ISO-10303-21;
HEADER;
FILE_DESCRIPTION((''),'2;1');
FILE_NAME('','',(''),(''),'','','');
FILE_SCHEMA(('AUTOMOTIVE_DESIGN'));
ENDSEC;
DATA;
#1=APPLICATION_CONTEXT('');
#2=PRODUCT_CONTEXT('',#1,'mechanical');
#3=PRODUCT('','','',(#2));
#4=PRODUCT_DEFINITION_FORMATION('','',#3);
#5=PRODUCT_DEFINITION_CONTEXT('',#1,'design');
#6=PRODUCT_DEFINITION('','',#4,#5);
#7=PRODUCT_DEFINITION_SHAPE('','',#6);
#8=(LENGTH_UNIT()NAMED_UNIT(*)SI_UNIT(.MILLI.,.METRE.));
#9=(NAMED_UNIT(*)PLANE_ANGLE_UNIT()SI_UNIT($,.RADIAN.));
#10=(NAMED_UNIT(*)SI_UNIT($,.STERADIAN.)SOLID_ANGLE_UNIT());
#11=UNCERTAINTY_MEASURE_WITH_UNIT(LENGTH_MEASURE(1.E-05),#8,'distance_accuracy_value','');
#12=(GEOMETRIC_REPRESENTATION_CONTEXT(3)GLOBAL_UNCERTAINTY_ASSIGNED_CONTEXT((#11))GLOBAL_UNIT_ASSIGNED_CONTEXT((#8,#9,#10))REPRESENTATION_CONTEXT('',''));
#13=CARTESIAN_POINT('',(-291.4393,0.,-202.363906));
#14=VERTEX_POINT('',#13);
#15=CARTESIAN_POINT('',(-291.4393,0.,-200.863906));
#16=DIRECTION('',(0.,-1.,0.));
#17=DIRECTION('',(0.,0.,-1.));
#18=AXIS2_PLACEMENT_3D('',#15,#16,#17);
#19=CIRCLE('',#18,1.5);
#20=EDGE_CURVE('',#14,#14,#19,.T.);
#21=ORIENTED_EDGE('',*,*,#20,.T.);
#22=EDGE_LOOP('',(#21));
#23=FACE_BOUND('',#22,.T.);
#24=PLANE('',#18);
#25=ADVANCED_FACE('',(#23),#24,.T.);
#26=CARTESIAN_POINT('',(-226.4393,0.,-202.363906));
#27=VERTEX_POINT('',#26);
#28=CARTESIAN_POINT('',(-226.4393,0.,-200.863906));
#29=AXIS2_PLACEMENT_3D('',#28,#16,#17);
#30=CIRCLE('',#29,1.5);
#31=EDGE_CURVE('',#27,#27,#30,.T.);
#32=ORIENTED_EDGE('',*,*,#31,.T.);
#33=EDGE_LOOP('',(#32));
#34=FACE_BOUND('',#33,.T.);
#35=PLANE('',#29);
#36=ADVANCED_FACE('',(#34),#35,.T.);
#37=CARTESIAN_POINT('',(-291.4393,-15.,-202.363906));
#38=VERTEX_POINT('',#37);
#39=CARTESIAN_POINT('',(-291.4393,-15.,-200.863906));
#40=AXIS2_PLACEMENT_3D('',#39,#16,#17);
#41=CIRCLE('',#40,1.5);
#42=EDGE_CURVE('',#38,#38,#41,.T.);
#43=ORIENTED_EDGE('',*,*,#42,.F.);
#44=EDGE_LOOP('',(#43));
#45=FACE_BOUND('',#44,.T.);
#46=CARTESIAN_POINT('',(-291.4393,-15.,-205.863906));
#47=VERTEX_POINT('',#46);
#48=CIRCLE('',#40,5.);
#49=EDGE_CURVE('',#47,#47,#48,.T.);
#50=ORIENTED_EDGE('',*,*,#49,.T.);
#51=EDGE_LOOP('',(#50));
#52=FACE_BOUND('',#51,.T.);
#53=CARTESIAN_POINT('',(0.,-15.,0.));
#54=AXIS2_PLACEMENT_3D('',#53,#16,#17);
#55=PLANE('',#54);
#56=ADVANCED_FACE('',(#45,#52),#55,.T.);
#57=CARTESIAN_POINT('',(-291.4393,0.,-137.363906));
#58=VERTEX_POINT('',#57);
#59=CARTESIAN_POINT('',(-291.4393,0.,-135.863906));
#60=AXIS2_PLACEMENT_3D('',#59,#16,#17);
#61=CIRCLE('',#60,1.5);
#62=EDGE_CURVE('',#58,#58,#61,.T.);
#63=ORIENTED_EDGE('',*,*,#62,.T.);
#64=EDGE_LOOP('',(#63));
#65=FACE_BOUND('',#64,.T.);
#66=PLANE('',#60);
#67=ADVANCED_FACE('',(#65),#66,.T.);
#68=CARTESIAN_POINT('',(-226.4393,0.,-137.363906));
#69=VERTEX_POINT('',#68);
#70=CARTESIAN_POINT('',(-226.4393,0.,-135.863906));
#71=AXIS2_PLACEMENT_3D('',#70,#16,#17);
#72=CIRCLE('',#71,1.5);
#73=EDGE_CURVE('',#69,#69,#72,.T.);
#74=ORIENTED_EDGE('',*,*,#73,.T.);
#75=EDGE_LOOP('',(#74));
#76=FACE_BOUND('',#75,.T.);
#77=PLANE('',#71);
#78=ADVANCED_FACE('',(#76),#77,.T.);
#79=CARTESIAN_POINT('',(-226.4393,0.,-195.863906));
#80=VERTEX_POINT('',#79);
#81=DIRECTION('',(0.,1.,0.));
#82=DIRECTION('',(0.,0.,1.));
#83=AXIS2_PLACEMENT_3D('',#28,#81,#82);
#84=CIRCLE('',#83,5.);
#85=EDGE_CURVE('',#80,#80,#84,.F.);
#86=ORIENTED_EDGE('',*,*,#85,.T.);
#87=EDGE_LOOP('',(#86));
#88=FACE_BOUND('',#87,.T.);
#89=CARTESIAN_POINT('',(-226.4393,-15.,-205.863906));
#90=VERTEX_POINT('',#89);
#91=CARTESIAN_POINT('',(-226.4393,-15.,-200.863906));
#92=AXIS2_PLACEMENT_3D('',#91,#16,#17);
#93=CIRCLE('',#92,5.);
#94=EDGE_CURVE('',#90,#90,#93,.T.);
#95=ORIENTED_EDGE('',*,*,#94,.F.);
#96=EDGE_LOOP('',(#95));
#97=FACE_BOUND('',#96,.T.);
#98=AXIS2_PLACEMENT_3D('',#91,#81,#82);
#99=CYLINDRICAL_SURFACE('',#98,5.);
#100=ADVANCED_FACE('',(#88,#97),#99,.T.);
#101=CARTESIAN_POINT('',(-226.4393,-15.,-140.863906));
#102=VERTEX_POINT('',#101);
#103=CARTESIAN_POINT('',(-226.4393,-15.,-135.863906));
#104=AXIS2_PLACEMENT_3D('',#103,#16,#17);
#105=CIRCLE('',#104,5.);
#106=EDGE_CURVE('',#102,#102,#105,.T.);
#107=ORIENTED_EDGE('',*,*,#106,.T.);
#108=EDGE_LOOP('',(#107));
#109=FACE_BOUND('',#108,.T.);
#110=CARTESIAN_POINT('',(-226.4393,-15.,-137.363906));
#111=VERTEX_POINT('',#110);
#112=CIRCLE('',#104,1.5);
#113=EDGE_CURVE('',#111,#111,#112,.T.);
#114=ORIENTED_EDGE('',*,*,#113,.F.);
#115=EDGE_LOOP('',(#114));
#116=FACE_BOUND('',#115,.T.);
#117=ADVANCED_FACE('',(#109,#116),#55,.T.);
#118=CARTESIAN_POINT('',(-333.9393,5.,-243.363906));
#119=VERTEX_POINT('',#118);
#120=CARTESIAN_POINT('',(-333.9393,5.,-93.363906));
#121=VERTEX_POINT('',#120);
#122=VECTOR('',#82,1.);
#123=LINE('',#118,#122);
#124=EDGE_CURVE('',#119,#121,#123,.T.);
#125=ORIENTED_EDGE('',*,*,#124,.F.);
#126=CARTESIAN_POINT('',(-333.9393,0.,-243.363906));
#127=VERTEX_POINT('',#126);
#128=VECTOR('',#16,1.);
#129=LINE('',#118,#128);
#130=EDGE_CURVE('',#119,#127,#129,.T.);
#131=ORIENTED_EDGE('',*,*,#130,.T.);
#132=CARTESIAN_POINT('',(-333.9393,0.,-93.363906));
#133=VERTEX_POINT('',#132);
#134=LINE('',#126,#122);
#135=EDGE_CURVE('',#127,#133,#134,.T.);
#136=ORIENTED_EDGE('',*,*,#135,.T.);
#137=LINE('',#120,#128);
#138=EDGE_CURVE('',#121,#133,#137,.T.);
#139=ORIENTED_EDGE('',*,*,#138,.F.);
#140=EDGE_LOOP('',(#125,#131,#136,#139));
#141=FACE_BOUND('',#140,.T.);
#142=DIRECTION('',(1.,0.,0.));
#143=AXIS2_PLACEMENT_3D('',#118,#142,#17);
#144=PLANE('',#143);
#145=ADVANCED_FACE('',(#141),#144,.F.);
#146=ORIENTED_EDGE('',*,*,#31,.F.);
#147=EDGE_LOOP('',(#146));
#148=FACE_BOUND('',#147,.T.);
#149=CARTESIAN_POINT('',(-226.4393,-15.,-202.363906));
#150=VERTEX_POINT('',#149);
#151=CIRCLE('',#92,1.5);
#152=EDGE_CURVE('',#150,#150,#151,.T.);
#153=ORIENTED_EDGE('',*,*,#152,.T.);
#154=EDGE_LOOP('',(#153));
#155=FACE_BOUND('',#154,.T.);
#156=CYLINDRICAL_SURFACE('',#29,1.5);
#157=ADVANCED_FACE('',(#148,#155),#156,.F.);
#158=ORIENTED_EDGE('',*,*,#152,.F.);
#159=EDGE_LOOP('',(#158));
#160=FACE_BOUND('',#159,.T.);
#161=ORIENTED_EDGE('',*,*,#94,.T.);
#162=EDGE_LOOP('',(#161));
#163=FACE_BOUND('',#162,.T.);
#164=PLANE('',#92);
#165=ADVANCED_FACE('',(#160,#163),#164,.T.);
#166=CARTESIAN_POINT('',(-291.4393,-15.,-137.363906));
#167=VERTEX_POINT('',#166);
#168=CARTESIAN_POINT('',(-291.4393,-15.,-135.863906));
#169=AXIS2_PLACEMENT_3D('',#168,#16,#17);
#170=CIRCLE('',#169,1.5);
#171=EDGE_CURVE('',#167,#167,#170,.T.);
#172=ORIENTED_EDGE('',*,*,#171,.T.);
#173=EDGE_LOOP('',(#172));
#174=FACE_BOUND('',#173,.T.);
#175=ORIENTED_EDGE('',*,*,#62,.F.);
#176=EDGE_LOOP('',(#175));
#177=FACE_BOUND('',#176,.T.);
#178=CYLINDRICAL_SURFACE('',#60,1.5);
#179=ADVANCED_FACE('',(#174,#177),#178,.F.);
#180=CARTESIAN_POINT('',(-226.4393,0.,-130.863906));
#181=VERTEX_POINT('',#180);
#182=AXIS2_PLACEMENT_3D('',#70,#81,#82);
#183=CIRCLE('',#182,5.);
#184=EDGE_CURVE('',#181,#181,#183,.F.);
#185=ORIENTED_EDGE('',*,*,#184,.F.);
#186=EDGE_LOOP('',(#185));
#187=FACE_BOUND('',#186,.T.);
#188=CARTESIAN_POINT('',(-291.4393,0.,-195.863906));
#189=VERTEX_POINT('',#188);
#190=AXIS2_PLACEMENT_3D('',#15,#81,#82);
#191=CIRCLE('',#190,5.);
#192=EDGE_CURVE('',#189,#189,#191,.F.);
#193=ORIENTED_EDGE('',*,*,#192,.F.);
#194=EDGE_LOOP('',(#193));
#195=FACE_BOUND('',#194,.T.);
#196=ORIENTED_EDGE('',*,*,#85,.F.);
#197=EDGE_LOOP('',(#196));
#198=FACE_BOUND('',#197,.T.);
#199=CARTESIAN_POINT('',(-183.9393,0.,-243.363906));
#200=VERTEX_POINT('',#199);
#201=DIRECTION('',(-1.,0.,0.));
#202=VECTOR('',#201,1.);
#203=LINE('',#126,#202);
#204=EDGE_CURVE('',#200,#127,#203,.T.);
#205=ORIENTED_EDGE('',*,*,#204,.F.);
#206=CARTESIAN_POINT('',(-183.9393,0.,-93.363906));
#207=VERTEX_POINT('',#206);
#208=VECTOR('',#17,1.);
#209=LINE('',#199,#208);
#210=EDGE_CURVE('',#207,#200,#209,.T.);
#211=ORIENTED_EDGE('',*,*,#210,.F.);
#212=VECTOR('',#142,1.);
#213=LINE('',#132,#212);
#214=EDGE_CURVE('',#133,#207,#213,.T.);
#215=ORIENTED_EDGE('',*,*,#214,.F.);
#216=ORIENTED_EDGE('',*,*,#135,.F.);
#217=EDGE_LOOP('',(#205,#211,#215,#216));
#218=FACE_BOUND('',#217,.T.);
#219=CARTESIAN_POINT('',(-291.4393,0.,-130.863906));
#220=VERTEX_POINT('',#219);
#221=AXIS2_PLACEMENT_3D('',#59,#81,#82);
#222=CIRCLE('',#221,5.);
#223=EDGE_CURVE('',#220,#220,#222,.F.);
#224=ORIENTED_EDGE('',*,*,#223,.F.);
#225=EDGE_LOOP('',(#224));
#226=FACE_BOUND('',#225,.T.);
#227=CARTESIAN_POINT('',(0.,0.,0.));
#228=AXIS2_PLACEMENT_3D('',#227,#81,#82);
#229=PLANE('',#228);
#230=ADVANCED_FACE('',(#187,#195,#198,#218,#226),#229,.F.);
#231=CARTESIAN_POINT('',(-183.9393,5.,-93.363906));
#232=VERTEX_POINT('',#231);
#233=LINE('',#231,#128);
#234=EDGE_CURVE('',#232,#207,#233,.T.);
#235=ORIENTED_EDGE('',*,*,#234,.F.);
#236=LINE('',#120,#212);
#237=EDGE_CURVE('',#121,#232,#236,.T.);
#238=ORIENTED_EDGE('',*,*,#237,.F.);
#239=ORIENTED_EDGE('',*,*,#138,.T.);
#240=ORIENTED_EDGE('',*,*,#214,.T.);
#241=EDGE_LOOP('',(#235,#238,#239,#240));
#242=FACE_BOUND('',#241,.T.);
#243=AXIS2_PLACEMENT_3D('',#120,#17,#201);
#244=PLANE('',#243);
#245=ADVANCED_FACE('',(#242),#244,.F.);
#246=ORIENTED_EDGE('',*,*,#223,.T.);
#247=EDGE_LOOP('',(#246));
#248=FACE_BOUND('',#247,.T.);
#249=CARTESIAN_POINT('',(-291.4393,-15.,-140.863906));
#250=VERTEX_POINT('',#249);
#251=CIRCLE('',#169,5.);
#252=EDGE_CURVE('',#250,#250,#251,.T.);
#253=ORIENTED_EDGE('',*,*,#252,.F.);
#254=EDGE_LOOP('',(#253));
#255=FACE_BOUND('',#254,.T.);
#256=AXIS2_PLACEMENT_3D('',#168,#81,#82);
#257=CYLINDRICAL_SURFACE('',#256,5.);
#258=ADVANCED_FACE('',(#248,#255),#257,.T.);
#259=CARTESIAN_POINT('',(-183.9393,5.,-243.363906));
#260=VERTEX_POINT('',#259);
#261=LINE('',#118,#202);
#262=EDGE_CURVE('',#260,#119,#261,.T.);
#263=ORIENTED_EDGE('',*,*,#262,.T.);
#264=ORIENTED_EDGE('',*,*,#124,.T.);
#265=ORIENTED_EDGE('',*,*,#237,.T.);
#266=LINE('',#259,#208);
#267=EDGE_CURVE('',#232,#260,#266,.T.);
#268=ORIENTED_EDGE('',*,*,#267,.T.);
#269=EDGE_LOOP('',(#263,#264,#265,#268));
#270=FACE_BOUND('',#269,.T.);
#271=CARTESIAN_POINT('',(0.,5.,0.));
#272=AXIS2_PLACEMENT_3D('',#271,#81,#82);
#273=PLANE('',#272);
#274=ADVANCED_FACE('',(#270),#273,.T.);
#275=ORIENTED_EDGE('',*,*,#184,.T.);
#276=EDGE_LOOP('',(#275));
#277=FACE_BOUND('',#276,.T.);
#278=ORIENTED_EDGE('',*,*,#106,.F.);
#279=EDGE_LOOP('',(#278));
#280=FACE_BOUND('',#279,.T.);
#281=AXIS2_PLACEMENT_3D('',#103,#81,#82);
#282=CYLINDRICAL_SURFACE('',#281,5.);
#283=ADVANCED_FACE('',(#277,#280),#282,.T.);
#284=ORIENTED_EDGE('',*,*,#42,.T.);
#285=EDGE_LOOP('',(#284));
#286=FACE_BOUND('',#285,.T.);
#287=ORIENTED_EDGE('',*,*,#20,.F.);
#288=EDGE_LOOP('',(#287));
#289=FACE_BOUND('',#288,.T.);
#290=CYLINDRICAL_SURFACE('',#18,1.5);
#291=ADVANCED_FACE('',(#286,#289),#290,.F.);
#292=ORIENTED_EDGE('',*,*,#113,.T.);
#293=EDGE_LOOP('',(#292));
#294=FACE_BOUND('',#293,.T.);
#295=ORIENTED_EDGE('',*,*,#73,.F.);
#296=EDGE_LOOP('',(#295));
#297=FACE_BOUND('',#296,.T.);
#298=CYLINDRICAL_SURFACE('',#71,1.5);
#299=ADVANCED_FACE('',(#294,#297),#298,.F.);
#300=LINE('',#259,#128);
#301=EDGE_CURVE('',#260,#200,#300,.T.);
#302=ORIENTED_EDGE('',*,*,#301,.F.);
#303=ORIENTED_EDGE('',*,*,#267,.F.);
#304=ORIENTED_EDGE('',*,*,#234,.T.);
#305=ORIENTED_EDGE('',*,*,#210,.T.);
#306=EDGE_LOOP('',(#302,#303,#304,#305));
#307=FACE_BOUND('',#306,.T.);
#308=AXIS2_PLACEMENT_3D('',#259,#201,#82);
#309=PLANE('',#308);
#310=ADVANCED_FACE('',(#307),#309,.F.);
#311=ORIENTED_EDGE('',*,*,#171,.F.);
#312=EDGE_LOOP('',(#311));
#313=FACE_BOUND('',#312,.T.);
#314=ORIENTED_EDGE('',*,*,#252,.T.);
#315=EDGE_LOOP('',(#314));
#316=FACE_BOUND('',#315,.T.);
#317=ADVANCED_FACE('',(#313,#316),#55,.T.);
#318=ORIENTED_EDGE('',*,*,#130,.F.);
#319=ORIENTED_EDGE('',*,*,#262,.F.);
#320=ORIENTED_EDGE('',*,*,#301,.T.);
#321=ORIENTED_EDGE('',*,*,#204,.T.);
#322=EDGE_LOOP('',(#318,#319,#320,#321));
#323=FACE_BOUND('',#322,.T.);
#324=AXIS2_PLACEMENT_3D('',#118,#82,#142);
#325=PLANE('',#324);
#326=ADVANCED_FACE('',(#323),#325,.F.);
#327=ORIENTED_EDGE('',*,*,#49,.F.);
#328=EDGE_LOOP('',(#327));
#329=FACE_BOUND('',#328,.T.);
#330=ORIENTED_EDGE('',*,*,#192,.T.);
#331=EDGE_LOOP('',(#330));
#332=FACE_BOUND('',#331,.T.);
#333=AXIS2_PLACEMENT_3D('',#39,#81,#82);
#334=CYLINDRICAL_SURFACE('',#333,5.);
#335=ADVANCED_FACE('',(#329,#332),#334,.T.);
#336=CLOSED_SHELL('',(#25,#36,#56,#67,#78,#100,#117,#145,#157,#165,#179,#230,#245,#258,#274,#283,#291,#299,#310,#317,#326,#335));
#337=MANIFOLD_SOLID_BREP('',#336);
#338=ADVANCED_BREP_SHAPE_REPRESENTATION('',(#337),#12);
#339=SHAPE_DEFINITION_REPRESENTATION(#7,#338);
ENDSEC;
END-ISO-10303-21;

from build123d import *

# Parameters (mm, degrees)
ESBO_O1_W                = 150
ESBO_O1_H                = 150
RESSALTO_EXTRUS_O1_DEPTH = 5
ESBO_O2_R                = 5
RESSALTO_EXTRUS_O2_DEPTH = 15
ESBO_O4_R                = 1.5
CORTE_EXTRUS_O1_DEPTH    = 15


with BuildPart() as part:
    # Esboço1 → Ressalto-extrusão1 (new body)
    with BuildSketch(Plane(origin=(0, 0, 0), x_dir=(1, 0, 0), z_dir=(0, 1, 0))):
        with Locations((-258.939300439, 168.363905829)):
            Rectangle(ESBO_O1_W, ESBO_O1_H)
    extrude(amount=RESSALTO_EXTRUS_O1_DEPTH)

    # Esboço2 → Ressalto-extrusão2 (add)
    with BuildSketch(Plane(origin=(0, 0, 0), x_dir=(-1, 0, 0), z_dir=(0, -1, 0))):
        with Locations(Location((291.439300439, 135.863905829, 0), (0, 0, 270))):
            Circle(ESBO_O2_R)
        with Locations(Location((226.439300439, 135.863905829, 0), (0, 0, 270))):
            Circle(ESBO_O2_R)
        with Locations(Location((291.439300439, 200.863905829, 0), (0, 0, 270))):
            Circle(ESBO_O2_R)
        with Locations(Location((226.439300439, 200.863905829, 0), (0, 0, 270))):
            Circle(ESBO_O2_R)
    extrude(amount=RESSALTO_EXTRUS_O2_DEPTH)

    # Esboço4 → Corte-extrusão1 (cut)
    with BuildSketch(Plane(origin=(0, -15, 0), x_dir=(-1, 0, 0), z_dir=(0, -1, 0))):
        with Locations(Location((291.439300439, 135.863905829, 0), (0, 0, 90))):
            Circle(ESBO_O4_R)
        with Locations(Location((226.439300439, 135.863905829, 0), (0, 0, 90))):
            Circle(ESBO_O4_R)
        with Locations(Location((291.439300439, 200.863905829, 0), (0, 0, 90))):
            Circle(ESBO_O4_R)
        with Locations(Location((226.439300439, 200.863905829, 0), (0, 0, 90))):
            Circle(ESBO_O4_R)
    extrude(amount=-CORTE_EXTRUS_O1_DEPTH, mode=Mode.SUBTRACT)


solid = part.part
